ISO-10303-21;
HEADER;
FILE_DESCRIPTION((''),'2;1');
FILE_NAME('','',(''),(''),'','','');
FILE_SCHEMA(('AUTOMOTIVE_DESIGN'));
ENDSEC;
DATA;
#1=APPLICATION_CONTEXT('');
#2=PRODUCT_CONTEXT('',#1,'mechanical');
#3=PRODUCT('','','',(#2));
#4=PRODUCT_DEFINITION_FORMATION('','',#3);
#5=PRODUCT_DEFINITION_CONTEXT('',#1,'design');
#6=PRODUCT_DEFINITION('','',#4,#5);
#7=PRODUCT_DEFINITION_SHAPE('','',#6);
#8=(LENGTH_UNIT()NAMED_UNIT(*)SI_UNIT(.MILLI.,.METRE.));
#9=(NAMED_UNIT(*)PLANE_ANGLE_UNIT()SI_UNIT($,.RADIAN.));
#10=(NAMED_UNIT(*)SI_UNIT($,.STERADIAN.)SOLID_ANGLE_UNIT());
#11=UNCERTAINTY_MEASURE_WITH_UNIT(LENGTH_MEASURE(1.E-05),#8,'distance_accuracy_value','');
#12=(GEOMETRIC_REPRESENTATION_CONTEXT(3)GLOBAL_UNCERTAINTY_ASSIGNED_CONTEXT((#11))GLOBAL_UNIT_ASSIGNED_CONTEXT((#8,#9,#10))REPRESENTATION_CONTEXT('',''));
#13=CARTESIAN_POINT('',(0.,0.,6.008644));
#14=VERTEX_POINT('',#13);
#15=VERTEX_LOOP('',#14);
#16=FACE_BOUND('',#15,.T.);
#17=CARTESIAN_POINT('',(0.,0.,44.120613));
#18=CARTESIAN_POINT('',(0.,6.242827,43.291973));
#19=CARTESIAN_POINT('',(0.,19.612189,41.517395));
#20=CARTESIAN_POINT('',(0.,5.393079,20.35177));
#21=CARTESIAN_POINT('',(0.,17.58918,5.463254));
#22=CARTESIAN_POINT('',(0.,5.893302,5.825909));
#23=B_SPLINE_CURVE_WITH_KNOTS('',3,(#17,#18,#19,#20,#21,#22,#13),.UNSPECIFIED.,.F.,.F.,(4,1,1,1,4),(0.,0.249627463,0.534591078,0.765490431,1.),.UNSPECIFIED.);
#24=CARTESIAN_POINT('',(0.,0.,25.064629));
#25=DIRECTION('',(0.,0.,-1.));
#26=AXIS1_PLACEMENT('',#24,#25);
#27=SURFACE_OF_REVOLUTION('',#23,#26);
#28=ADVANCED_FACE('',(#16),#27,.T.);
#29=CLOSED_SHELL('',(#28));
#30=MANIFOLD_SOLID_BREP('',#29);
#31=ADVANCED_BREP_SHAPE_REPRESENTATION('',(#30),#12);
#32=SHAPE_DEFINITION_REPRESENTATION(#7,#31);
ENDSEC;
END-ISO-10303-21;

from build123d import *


with BuildPart() as f1:
    # F0 (on Right) → F1 (revolve)
    with BuildSketch(Plane.YZ):
        with BuildLine():
            add(Edge.make_bspline(
                [(0, 44.1206134856), (6.242827302, 43.2919733739), (19.612188716, 41.5173945493), (5.39307887, 20.3517704264), (17.5891801237, 5.4632538662), (5.893302002, 5.825909344), (0, 6.008643657)],
                knots=[0, 0, 0, 0, 0.2496274633, 0.5345910778, 0.7654904314, 1, 1, 1, 1], degree=3))
            Line((0, 44.1206134856), (0, 6.008643657))
        make_face()
    revolve(axis=Axis((0, 0, 25.0646285713), (0, 0, -1)))


solid = f1.part
